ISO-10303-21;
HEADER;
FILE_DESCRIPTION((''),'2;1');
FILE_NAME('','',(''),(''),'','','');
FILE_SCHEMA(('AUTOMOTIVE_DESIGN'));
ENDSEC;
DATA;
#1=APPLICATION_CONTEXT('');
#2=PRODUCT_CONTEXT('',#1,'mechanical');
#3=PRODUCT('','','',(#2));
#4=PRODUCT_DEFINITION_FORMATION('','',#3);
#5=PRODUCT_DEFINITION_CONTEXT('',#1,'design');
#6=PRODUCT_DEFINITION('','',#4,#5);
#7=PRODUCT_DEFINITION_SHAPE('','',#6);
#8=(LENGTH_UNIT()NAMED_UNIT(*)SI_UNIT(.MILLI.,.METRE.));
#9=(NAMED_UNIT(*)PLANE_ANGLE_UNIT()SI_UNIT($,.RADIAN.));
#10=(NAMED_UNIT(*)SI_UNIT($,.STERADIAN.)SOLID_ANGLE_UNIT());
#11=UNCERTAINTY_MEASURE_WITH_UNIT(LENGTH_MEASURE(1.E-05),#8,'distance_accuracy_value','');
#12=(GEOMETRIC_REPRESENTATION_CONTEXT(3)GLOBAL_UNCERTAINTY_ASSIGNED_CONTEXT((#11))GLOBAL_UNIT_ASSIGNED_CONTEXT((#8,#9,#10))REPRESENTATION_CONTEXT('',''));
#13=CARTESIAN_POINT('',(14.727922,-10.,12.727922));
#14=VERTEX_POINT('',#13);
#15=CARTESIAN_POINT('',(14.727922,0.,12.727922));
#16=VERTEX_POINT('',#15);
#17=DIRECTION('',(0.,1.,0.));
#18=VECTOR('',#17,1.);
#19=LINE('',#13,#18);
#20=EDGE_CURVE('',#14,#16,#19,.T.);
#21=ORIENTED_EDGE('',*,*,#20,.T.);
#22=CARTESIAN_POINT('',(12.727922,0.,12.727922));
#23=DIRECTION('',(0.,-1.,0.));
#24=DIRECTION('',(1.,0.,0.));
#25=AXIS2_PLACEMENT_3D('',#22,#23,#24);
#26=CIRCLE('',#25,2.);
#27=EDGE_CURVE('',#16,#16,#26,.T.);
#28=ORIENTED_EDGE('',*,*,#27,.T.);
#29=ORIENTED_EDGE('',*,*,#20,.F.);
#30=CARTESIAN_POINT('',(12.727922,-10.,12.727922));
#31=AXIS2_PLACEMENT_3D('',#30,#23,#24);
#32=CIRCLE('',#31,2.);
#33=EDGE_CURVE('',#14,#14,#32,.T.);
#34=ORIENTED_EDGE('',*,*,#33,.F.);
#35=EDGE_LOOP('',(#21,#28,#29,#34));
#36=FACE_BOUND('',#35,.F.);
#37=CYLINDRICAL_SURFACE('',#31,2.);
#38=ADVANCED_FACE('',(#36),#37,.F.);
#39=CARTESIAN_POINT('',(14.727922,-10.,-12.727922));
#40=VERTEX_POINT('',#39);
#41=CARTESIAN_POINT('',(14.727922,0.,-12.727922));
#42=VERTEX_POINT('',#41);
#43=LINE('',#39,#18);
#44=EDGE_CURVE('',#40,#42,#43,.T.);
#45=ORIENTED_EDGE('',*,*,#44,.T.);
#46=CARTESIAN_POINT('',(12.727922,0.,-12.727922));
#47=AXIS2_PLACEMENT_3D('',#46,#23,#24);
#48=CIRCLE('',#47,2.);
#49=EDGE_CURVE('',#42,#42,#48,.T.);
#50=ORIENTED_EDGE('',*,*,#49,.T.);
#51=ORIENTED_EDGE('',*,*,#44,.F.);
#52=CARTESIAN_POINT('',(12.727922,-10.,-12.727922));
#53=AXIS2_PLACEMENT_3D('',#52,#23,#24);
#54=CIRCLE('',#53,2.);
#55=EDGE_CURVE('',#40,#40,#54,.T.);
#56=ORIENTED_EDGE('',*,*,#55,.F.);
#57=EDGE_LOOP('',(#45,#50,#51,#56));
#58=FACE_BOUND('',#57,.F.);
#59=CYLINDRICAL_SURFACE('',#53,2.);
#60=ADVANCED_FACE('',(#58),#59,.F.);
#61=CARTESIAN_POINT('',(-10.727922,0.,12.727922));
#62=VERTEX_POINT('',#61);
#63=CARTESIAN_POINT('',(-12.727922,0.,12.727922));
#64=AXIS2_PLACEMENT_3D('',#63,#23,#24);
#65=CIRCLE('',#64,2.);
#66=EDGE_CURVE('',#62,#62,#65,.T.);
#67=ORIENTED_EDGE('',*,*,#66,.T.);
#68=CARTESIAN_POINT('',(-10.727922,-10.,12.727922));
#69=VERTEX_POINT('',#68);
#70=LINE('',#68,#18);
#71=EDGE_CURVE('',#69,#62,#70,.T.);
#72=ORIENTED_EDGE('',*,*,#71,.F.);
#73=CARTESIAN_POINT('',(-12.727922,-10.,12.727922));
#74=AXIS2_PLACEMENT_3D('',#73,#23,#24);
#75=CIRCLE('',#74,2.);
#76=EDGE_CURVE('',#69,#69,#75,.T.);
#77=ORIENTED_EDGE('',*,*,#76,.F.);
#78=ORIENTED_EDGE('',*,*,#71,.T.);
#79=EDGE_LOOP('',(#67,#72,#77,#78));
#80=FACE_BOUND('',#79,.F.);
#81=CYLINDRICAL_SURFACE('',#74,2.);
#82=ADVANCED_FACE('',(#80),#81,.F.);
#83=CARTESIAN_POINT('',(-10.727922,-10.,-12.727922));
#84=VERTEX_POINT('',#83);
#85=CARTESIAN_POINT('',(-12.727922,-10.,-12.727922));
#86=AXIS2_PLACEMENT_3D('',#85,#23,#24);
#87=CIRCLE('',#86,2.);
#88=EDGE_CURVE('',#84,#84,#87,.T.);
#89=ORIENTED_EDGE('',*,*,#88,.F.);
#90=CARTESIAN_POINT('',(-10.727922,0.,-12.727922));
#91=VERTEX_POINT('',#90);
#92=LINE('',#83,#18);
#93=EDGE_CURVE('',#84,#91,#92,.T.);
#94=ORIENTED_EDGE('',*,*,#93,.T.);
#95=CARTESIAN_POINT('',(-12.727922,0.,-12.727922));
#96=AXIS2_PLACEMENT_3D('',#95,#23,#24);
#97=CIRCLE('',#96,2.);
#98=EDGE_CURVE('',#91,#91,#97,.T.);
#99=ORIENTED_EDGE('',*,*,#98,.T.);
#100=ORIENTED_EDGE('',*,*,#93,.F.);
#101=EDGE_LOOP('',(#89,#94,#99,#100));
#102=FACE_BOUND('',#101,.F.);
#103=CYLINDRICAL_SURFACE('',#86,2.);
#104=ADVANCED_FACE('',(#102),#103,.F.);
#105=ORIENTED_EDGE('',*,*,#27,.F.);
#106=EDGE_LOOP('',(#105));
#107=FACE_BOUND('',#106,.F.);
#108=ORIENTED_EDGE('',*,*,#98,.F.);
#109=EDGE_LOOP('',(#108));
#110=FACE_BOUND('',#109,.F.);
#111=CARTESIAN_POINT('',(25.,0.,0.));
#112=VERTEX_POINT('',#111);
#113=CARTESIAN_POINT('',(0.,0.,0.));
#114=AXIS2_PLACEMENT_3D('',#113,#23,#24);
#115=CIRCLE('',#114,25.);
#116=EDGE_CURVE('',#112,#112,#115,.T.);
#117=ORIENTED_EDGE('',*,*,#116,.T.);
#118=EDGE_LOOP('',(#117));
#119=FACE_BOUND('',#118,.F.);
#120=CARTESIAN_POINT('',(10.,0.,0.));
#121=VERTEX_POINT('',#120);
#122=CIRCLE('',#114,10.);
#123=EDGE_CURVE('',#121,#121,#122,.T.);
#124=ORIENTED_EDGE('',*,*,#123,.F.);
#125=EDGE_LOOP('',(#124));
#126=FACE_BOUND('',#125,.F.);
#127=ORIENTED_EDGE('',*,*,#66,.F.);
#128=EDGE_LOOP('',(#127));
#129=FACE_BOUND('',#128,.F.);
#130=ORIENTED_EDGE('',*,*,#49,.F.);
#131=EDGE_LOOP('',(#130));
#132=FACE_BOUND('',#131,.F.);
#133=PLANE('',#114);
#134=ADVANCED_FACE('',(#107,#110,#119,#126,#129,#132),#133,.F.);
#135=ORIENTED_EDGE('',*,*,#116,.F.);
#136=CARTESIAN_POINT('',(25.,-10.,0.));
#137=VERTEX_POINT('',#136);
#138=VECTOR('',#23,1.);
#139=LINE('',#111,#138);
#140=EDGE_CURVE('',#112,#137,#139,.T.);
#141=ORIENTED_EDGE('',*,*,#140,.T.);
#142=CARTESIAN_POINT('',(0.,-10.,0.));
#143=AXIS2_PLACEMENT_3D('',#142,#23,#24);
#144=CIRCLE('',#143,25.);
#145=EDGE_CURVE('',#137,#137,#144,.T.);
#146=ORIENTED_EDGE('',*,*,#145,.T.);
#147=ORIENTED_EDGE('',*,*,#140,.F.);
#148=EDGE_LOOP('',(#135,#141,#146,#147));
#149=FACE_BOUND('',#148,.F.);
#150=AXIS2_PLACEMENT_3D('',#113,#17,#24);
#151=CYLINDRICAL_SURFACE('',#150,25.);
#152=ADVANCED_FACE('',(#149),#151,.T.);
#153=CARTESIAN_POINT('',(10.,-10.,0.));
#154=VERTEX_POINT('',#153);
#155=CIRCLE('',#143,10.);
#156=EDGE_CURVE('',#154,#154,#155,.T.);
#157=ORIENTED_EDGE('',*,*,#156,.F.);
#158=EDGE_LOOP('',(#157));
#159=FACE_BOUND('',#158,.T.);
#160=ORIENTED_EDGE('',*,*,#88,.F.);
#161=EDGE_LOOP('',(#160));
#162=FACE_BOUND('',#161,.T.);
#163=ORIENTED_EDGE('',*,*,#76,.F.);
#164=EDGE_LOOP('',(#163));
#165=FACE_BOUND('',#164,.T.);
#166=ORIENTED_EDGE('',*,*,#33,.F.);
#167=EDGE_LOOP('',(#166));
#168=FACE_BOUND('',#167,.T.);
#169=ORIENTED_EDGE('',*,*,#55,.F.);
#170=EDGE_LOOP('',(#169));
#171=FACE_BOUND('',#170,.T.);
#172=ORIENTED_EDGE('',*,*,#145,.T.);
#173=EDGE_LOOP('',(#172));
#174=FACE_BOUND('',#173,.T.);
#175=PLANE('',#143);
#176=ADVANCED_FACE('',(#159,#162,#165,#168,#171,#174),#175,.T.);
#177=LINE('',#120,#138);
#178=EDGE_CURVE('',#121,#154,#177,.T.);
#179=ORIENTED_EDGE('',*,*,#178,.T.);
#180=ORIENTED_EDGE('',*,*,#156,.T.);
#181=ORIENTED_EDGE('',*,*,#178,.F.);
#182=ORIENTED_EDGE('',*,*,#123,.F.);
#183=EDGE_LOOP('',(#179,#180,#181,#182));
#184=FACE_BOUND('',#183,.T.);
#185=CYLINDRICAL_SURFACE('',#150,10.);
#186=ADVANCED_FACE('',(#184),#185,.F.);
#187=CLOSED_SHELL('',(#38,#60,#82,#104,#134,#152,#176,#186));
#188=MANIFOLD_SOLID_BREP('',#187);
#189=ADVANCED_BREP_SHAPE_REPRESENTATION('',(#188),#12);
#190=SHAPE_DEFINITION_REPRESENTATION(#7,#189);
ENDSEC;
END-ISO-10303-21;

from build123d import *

# Parameters (mm, degrees)
F0_R     = 25
F0_R_2   = 10
F1_DEPTH = 10
F2_R     = 2
F3_DEPTH = 10.001


with BuildPart() as f1:
    # F0 (on Front) → F1 (new body)
    with BuildSketch(Plane.XZ):
        Circle(F0_R)
        Circle(F0_R_2, mode=Mode.SUBTRACT)
    extrude(amount=F1_DEPTH)

    # F2 (on face) → F3 (cut, through all)
    with BuildSketch(Plane.XZ.offset(10)):
        with Locations((-12.727922, 12.727922)):
            Circle(F2_R)
        with Locations((-12.727922, -12.727922)):
            Circle(F2_R)
        with Locations((12.727922, -12.727922)):
            Circle(F2_R)
        with Locations((12.727922, 12.727922)):
            Circle(F2_R)
    extrude(amount=-F3_DEPTH, mode=Mode.SUBTRACT)


solid = f1.part
